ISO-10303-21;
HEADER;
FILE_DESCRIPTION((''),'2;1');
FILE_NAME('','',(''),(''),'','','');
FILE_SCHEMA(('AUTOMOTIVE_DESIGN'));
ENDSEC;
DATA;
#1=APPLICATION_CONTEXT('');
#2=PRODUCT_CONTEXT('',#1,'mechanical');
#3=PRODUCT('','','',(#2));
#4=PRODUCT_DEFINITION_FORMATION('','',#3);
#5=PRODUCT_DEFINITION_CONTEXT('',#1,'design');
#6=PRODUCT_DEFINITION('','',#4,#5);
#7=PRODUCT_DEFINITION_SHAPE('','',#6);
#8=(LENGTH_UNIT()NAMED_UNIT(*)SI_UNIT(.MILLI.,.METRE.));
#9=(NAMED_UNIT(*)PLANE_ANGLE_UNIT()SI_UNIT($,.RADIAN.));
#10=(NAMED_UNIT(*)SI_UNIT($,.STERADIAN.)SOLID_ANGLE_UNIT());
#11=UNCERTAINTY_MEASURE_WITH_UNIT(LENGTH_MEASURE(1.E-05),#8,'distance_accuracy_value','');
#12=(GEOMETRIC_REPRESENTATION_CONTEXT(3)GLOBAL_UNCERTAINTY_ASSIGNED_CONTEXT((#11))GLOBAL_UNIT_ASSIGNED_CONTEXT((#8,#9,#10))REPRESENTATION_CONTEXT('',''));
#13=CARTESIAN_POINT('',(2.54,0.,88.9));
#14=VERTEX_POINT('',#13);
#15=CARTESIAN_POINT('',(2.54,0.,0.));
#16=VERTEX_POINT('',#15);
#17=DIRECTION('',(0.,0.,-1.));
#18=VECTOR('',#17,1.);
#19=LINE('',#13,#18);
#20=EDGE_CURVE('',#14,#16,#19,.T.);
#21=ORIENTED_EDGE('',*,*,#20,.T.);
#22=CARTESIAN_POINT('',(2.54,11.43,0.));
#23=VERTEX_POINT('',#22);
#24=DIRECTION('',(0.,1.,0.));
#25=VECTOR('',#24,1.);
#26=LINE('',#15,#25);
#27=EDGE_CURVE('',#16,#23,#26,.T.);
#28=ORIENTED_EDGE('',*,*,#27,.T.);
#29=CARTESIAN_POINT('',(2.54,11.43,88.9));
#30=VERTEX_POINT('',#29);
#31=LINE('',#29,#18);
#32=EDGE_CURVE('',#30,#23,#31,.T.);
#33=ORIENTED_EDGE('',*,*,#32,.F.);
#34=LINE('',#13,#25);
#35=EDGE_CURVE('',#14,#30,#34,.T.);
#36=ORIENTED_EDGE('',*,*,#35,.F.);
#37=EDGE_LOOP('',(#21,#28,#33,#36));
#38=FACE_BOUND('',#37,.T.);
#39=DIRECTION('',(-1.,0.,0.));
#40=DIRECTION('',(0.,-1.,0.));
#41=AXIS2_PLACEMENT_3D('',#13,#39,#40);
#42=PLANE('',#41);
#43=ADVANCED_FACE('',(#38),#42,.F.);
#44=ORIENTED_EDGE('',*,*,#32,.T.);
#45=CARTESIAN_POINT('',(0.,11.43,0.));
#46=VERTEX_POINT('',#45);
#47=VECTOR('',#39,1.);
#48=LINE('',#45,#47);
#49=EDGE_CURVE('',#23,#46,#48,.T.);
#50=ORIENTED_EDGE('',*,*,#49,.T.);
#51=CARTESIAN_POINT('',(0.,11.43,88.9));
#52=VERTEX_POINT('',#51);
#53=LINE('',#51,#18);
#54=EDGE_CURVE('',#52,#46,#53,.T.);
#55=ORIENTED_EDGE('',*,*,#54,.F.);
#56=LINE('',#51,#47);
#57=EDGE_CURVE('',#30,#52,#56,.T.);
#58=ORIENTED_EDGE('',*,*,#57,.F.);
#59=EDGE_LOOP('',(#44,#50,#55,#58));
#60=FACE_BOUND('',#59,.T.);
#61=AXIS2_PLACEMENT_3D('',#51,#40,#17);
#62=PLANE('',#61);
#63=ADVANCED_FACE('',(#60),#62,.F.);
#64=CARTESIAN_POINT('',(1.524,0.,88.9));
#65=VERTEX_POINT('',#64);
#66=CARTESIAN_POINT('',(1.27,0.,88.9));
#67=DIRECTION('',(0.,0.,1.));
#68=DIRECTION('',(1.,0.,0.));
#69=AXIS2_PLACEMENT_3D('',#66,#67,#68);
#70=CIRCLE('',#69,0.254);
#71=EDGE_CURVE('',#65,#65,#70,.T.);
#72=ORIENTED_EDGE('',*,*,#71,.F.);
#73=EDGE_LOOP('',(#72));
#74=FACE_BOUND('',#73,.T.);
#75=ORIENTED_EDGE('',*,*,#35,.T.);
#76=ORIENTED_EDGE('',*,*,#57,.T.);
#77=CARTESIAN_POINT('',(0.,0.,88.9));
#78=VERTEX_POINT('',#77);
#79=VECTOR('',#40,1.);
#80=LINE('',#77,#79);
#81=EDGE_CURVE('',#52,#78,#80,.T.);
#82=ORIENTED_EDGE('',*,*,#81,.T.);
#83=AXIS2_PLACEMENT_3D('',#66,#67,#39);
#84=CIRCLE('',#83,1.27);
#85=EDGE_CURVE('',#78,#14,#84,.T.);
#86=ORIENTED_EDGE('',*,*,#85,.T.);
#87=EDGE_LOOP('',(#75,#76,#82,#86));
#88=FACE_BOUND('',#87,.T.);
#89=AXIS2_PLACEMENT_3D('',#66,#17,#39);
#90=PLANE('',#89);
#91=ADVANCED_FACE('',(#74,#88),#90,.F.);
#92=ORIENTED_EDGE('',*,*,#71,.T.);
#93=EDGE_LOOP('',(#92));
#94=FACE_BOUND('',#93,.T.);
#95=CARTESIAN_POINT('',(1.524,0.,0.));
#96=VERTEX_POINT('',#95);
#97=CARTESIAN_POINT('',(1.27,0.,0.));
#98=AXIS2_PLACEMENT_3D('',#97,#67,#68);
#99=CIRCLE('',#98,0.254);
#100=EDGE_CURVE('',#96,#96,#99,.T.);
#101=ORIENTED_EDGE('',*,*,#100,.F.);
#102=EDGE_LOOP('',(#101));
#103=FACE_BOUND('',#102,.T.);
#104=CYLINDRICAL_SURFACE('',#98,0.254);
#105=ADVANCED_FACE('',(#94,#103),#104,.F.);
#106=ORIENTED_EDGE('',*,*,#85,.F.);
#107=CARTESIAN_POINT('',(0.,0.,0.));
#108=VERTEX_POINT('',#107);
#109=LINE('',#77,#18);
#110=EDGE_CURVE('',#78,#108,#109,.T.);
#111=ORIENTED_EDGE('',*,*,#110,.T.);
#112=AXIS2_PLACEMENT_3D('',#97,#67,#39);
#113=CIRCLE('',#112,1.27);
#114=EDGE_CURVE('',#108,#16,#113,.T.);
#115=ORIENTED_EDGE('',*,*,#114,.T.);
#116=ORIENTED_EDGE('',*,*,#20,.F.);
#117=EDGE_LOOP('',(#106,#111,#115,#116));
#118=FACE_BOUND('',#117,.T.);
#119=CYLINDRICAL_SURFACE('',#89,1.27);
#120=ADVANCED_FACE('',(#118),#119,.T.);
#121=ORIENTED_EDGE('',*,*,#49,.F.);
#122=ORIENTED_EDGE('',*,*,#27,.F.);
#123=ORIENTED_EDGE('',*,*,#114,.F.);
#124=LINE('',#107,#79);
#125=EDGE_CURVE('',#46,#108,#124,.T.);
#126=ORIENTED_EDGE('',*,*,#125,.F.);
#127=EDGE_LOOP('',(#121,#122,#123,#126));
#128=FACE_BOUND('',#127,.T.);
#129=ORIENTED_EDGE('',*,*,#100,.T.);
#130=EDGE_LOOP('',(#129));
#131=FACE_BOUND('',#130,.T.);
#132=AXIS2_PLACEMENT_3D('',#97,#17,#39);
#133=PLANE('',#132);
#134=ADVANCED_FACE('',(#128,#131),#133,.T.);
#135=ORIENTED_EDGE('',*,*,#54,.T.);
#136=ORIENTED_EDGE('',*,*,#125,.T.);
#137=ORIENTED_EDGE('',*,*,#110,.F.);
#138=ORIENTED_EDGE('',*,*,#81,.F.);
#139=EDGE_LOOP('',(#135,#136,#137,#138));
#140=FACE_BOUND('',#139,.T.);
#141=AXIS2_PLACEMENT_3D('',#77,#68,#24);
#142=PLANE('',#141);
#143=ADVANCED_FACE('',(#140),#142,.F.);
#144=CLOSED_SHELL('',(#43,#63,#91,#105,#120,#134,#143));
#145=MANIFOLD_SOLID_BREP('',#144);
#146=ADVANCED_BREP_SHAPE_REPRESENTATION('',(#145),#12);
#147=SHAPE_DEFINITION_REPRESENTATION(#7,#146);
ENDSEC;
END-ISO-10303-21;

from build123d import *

# Parameters (mm, degrees)
BOSS_EXTRUDE1_DEPTH = 88.9
SKETCH2_R           = 0.254
CUT_EXTRUDE1_DEPTH  = 90.667756189


with BuildPart() as part:
    # Sketch1 → Boss-Extrude1 (new body)
    with BuildSketch(Plane.XY):
        with BuildLine():
            Line((0, 0), (0, 11.43))
            Line((0, 11.43), (2.54, 11.43))
            Line((2.54, 11.43), (2.54, 0))
            ThreePointArc((2.54, 0), (1.27, -1.27), (0, 0))
        make_face()
    extrude(amount=BOSS_EXTRUDE1_DEPTH)

    # Sketch2 → Cut-Extrude1 (cut, through all)
    with BuildSketch(Plane.XY.offset(88.9)):
        with Locations((1.27, 0)):
            Circle(SKETCH2_R)
    extrude(amount=-CUT_EXTRUDE1_DEPTH, mode=Mode.SUBTRACT)


solid = part.part
